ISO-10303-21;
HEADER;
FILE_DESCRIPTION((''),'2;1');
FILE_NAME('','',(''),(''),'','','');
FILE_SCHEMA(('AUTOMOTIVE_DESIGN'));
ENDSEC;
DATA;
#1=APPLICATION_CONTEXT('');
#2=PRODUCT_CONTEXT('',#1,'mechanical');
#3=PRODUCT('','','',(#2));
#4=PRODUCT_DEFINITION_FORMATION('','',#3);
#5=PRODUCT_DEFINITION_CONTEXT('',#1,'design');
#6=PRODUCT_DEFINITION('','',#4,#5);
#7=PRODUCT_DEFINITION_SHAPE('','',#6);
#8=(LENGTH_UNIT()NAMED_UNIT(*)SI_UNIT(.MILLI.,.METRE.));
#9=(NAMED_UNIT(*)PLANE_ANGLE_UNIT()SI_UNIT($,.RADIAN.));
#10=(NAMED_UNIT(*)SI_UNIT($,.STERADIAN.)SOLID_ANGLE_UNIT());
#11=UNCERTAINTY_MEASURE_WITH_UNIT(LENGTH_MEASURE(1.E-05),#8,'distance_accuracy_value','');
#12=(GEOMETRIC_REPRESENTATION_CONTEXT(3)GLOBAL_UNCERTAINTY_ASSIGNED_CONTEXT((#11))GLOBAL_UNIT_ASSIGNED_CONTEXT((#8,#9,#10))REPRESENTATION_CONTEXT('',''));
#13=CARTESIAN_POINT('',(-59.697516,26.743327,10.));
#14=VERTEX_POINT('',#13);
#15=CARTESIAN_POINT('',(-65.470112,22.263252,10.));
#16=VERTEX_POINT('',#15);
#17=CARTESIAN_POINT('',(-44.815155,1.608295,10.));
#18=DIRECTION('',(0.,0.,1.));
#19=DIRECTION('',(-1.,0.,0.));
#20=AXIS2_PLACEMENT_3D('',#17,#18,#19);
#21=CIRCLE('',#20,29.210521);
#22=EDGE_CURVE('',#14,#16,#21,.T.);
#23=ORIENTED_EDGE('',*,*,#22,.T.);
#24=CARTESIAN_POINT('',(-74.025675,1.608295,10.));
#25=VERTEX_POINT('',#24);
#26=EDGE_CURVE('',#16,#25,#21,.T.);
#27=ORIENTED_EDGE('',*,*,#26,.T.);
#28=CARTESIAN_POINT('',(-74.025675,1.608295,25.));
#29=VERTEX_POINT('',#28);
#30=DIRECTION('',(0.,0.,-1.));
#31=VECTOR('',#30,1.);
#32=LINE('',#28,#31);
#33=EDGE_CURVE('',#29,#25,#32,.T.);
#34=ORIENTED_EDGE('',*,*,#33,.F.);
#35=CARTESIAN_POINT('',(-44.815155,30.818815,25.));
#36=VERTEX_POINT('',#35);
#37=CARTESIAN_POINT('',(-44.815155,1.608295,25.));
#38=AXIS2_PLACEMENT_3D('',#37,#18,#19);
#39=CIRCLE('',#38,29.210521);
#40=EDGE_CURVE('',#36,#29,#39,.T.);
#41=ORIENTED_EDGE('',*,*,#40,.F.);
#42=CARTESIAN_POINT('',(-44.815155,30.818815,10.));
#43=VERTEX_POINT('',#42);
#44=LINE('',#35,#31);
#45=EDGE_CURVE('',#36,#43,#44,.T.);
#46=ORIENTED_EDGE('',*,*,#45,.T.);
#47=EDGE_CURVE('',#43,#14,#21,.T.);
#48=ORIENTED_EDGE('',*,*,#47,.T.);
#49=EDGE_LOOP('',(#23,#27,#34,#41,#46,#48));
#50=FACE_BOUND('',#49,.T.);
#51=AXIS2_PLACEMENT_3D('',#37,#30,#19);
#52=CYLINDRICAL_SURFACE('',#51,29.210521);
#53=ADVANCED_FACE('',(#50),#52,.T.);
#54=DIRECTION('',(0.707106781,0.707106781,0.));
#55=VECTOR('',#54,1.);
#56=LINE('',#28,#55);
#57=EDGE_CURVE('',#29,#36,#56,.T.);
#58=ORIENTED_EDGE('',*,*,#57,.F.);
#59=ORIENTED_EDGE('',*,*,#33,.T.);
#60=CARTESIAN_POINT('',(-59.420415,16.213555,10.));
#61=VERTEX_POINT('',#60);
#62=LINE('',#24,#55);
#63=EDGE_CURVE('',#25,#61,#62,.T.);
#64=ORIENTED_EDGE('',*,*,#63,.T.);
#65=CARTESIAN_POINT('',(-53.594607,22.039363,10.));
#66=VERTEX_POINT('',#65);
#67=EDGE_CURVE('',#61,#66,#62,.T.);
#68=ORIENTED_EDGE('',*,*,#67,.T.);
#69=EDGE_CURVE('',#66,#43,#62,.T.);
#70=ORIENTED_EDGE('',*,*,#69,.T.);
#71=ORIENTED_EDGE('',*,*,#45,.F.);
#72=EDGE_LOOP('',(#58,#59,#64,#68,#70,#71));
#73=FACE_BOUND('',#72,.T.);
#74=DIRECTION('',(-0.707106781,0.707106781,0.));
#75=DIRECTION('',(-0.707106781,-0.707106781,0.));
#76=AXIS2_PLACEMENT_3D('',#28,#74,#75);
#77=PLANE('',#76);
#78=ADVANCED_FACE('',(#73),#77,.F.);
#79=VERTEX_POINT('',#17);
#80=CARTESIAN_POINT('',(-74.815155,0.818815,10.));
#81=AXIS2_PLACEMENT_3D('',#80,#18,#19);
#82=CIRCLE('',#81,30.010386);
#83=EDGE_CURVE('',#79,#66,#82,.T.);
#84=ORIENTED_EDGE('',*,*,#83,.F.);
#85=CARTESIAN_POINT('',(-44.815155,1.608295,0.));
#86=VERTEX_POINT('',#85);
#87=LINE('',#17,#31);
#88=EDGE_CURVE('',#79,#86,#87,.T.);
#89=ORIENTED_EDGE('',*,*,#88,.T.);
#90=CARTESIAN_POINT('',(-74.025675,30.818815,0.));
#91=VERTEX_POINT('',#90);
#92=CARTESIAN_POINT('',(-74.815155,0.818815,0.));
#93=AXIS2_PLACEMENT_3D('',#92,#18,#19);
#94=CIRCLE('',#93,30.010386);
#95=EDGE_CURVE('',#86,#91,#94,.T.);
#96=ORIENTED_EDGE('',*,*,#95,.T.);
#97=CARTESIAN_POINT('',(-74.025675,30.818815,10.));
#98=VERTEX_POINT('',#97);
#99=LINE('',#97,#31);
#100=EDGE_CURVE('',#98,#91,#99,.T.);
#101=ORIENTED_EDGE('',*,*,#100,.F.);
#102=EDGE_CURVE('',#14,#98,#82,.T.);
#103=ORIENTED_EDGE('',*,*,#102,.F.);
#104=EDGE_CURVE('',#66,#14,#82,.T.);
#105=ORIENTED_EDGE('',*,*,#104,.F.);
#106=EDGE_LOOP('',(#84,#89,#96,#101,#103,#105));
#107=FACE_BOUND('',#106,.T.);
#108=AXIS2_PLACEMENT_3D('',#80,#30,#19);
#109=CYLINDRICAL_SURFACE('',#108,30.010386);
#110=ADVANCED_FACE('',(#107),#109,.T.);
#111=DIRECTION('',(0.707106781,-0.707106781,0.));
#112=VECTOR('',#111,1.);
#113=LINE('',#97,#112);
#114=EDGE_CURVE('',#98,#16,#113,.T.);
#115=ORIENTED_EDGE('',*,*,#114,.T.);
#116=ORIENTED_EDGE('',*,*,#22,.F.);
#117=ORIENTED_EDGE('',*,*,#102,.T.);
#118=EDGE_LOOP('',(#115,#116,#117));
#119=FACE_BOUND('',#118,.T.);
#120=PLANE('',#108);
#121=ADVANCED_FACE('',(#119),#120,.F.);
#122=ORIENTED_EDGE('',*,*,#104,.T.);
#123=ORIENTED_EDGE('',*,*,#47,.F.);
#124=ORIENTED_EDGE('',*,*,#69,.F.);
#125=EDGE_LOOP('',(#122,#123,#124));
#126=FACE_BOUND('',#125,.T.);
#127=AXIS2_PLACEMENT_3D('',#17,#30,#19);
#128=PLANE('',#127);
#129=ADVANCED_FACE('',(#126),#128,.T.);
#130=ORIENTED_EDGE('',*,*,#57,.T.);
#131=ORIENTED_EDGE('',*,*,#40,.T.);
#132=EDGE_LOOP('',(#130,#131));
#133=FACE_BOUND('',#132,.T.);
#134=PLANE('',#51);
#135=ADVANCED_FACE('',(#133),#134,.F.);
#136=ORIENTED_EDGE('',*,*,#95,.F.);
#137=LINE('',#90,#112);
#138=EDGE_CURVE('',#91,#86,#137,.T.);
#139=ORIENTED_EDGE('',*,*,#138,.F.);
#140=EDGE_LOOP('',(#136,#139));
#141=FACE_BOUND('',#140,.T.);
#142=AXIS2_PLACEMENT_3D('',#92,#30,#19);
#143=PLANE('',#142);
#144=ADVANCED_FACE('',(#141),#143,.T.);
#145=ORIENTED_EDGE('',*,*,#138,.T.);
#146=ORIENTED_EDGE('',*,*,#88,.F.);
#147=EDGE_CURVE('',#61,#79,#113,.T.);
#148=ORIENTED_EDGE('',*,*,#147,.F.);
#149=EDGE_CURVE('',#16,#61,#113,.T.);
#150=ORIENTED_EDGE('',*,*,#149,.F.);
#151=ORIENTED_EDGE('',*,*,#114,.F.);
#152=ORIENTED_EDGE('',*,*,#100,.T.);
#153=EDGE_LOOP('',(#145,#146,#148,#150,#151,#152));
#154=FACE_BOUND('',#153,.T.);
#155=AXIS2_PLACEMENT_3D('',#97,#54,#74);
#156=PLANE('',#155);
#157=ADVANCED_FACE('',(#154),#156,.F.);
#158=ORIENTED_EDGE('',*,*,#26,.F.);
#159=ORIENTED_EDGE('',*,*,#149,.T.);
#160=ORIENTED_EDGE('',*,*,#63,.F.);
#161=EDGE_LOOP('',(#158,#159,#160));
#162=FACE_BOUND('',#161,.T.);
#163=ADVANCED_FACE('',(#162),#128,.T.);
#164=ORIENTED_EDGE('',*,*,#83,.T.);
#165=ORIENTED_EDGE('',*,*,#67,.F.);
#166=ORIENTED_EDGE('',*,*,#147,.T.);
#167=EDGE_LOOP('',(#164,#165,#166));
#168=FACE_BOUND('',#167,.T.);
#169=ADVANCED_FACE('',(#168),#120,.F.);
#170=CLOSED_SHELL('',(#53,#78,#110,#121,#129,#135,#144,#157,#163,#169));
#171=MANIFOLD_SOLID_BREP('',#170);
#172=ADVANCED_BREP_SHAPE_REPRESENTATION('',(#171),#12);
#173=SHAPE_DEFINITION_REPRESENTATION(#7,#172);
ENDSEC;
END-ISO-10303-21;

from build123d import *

# Parameters (mm, degrees)
BOSS_EXTRUDE1_DEPTH = 10
BOSS_EXTRUDE2_DEPTH = 15


with BuildPart() as part:
    # Sketch1 → Boss-Extrude1 (new body)
    with BuildSketch(Plane.XY):
        with BuildLine():
            Line((-74.025675485, 30.818815331), (-44.815154686, 1.608294532))
            ThreePointArc((-44.815154686, 1.608294532), (-53.594607127, 22.03936289), (-74.025675485, 30.818815331))
        make_face()
    extrude(amount=BOSS_EXTRUDE1_DEPTH)

    # Sketch3 → Boss-Extrude2 (add)
    with BuildSketch(Plane.XY.offset(10)):
        with BuildLine():
            Line((-74.025675485, 1.608294532), (-44.815154686, 30.818815331))
            ThreePointArc((-44.815154686, 30.818815331), (-65.470112025, 22.263251871), (-74.025675485, 1.608294532))
        make_face()
    extrude(amount=BOSS_EXTRUDE2_DEPTH)


solid = part.part
